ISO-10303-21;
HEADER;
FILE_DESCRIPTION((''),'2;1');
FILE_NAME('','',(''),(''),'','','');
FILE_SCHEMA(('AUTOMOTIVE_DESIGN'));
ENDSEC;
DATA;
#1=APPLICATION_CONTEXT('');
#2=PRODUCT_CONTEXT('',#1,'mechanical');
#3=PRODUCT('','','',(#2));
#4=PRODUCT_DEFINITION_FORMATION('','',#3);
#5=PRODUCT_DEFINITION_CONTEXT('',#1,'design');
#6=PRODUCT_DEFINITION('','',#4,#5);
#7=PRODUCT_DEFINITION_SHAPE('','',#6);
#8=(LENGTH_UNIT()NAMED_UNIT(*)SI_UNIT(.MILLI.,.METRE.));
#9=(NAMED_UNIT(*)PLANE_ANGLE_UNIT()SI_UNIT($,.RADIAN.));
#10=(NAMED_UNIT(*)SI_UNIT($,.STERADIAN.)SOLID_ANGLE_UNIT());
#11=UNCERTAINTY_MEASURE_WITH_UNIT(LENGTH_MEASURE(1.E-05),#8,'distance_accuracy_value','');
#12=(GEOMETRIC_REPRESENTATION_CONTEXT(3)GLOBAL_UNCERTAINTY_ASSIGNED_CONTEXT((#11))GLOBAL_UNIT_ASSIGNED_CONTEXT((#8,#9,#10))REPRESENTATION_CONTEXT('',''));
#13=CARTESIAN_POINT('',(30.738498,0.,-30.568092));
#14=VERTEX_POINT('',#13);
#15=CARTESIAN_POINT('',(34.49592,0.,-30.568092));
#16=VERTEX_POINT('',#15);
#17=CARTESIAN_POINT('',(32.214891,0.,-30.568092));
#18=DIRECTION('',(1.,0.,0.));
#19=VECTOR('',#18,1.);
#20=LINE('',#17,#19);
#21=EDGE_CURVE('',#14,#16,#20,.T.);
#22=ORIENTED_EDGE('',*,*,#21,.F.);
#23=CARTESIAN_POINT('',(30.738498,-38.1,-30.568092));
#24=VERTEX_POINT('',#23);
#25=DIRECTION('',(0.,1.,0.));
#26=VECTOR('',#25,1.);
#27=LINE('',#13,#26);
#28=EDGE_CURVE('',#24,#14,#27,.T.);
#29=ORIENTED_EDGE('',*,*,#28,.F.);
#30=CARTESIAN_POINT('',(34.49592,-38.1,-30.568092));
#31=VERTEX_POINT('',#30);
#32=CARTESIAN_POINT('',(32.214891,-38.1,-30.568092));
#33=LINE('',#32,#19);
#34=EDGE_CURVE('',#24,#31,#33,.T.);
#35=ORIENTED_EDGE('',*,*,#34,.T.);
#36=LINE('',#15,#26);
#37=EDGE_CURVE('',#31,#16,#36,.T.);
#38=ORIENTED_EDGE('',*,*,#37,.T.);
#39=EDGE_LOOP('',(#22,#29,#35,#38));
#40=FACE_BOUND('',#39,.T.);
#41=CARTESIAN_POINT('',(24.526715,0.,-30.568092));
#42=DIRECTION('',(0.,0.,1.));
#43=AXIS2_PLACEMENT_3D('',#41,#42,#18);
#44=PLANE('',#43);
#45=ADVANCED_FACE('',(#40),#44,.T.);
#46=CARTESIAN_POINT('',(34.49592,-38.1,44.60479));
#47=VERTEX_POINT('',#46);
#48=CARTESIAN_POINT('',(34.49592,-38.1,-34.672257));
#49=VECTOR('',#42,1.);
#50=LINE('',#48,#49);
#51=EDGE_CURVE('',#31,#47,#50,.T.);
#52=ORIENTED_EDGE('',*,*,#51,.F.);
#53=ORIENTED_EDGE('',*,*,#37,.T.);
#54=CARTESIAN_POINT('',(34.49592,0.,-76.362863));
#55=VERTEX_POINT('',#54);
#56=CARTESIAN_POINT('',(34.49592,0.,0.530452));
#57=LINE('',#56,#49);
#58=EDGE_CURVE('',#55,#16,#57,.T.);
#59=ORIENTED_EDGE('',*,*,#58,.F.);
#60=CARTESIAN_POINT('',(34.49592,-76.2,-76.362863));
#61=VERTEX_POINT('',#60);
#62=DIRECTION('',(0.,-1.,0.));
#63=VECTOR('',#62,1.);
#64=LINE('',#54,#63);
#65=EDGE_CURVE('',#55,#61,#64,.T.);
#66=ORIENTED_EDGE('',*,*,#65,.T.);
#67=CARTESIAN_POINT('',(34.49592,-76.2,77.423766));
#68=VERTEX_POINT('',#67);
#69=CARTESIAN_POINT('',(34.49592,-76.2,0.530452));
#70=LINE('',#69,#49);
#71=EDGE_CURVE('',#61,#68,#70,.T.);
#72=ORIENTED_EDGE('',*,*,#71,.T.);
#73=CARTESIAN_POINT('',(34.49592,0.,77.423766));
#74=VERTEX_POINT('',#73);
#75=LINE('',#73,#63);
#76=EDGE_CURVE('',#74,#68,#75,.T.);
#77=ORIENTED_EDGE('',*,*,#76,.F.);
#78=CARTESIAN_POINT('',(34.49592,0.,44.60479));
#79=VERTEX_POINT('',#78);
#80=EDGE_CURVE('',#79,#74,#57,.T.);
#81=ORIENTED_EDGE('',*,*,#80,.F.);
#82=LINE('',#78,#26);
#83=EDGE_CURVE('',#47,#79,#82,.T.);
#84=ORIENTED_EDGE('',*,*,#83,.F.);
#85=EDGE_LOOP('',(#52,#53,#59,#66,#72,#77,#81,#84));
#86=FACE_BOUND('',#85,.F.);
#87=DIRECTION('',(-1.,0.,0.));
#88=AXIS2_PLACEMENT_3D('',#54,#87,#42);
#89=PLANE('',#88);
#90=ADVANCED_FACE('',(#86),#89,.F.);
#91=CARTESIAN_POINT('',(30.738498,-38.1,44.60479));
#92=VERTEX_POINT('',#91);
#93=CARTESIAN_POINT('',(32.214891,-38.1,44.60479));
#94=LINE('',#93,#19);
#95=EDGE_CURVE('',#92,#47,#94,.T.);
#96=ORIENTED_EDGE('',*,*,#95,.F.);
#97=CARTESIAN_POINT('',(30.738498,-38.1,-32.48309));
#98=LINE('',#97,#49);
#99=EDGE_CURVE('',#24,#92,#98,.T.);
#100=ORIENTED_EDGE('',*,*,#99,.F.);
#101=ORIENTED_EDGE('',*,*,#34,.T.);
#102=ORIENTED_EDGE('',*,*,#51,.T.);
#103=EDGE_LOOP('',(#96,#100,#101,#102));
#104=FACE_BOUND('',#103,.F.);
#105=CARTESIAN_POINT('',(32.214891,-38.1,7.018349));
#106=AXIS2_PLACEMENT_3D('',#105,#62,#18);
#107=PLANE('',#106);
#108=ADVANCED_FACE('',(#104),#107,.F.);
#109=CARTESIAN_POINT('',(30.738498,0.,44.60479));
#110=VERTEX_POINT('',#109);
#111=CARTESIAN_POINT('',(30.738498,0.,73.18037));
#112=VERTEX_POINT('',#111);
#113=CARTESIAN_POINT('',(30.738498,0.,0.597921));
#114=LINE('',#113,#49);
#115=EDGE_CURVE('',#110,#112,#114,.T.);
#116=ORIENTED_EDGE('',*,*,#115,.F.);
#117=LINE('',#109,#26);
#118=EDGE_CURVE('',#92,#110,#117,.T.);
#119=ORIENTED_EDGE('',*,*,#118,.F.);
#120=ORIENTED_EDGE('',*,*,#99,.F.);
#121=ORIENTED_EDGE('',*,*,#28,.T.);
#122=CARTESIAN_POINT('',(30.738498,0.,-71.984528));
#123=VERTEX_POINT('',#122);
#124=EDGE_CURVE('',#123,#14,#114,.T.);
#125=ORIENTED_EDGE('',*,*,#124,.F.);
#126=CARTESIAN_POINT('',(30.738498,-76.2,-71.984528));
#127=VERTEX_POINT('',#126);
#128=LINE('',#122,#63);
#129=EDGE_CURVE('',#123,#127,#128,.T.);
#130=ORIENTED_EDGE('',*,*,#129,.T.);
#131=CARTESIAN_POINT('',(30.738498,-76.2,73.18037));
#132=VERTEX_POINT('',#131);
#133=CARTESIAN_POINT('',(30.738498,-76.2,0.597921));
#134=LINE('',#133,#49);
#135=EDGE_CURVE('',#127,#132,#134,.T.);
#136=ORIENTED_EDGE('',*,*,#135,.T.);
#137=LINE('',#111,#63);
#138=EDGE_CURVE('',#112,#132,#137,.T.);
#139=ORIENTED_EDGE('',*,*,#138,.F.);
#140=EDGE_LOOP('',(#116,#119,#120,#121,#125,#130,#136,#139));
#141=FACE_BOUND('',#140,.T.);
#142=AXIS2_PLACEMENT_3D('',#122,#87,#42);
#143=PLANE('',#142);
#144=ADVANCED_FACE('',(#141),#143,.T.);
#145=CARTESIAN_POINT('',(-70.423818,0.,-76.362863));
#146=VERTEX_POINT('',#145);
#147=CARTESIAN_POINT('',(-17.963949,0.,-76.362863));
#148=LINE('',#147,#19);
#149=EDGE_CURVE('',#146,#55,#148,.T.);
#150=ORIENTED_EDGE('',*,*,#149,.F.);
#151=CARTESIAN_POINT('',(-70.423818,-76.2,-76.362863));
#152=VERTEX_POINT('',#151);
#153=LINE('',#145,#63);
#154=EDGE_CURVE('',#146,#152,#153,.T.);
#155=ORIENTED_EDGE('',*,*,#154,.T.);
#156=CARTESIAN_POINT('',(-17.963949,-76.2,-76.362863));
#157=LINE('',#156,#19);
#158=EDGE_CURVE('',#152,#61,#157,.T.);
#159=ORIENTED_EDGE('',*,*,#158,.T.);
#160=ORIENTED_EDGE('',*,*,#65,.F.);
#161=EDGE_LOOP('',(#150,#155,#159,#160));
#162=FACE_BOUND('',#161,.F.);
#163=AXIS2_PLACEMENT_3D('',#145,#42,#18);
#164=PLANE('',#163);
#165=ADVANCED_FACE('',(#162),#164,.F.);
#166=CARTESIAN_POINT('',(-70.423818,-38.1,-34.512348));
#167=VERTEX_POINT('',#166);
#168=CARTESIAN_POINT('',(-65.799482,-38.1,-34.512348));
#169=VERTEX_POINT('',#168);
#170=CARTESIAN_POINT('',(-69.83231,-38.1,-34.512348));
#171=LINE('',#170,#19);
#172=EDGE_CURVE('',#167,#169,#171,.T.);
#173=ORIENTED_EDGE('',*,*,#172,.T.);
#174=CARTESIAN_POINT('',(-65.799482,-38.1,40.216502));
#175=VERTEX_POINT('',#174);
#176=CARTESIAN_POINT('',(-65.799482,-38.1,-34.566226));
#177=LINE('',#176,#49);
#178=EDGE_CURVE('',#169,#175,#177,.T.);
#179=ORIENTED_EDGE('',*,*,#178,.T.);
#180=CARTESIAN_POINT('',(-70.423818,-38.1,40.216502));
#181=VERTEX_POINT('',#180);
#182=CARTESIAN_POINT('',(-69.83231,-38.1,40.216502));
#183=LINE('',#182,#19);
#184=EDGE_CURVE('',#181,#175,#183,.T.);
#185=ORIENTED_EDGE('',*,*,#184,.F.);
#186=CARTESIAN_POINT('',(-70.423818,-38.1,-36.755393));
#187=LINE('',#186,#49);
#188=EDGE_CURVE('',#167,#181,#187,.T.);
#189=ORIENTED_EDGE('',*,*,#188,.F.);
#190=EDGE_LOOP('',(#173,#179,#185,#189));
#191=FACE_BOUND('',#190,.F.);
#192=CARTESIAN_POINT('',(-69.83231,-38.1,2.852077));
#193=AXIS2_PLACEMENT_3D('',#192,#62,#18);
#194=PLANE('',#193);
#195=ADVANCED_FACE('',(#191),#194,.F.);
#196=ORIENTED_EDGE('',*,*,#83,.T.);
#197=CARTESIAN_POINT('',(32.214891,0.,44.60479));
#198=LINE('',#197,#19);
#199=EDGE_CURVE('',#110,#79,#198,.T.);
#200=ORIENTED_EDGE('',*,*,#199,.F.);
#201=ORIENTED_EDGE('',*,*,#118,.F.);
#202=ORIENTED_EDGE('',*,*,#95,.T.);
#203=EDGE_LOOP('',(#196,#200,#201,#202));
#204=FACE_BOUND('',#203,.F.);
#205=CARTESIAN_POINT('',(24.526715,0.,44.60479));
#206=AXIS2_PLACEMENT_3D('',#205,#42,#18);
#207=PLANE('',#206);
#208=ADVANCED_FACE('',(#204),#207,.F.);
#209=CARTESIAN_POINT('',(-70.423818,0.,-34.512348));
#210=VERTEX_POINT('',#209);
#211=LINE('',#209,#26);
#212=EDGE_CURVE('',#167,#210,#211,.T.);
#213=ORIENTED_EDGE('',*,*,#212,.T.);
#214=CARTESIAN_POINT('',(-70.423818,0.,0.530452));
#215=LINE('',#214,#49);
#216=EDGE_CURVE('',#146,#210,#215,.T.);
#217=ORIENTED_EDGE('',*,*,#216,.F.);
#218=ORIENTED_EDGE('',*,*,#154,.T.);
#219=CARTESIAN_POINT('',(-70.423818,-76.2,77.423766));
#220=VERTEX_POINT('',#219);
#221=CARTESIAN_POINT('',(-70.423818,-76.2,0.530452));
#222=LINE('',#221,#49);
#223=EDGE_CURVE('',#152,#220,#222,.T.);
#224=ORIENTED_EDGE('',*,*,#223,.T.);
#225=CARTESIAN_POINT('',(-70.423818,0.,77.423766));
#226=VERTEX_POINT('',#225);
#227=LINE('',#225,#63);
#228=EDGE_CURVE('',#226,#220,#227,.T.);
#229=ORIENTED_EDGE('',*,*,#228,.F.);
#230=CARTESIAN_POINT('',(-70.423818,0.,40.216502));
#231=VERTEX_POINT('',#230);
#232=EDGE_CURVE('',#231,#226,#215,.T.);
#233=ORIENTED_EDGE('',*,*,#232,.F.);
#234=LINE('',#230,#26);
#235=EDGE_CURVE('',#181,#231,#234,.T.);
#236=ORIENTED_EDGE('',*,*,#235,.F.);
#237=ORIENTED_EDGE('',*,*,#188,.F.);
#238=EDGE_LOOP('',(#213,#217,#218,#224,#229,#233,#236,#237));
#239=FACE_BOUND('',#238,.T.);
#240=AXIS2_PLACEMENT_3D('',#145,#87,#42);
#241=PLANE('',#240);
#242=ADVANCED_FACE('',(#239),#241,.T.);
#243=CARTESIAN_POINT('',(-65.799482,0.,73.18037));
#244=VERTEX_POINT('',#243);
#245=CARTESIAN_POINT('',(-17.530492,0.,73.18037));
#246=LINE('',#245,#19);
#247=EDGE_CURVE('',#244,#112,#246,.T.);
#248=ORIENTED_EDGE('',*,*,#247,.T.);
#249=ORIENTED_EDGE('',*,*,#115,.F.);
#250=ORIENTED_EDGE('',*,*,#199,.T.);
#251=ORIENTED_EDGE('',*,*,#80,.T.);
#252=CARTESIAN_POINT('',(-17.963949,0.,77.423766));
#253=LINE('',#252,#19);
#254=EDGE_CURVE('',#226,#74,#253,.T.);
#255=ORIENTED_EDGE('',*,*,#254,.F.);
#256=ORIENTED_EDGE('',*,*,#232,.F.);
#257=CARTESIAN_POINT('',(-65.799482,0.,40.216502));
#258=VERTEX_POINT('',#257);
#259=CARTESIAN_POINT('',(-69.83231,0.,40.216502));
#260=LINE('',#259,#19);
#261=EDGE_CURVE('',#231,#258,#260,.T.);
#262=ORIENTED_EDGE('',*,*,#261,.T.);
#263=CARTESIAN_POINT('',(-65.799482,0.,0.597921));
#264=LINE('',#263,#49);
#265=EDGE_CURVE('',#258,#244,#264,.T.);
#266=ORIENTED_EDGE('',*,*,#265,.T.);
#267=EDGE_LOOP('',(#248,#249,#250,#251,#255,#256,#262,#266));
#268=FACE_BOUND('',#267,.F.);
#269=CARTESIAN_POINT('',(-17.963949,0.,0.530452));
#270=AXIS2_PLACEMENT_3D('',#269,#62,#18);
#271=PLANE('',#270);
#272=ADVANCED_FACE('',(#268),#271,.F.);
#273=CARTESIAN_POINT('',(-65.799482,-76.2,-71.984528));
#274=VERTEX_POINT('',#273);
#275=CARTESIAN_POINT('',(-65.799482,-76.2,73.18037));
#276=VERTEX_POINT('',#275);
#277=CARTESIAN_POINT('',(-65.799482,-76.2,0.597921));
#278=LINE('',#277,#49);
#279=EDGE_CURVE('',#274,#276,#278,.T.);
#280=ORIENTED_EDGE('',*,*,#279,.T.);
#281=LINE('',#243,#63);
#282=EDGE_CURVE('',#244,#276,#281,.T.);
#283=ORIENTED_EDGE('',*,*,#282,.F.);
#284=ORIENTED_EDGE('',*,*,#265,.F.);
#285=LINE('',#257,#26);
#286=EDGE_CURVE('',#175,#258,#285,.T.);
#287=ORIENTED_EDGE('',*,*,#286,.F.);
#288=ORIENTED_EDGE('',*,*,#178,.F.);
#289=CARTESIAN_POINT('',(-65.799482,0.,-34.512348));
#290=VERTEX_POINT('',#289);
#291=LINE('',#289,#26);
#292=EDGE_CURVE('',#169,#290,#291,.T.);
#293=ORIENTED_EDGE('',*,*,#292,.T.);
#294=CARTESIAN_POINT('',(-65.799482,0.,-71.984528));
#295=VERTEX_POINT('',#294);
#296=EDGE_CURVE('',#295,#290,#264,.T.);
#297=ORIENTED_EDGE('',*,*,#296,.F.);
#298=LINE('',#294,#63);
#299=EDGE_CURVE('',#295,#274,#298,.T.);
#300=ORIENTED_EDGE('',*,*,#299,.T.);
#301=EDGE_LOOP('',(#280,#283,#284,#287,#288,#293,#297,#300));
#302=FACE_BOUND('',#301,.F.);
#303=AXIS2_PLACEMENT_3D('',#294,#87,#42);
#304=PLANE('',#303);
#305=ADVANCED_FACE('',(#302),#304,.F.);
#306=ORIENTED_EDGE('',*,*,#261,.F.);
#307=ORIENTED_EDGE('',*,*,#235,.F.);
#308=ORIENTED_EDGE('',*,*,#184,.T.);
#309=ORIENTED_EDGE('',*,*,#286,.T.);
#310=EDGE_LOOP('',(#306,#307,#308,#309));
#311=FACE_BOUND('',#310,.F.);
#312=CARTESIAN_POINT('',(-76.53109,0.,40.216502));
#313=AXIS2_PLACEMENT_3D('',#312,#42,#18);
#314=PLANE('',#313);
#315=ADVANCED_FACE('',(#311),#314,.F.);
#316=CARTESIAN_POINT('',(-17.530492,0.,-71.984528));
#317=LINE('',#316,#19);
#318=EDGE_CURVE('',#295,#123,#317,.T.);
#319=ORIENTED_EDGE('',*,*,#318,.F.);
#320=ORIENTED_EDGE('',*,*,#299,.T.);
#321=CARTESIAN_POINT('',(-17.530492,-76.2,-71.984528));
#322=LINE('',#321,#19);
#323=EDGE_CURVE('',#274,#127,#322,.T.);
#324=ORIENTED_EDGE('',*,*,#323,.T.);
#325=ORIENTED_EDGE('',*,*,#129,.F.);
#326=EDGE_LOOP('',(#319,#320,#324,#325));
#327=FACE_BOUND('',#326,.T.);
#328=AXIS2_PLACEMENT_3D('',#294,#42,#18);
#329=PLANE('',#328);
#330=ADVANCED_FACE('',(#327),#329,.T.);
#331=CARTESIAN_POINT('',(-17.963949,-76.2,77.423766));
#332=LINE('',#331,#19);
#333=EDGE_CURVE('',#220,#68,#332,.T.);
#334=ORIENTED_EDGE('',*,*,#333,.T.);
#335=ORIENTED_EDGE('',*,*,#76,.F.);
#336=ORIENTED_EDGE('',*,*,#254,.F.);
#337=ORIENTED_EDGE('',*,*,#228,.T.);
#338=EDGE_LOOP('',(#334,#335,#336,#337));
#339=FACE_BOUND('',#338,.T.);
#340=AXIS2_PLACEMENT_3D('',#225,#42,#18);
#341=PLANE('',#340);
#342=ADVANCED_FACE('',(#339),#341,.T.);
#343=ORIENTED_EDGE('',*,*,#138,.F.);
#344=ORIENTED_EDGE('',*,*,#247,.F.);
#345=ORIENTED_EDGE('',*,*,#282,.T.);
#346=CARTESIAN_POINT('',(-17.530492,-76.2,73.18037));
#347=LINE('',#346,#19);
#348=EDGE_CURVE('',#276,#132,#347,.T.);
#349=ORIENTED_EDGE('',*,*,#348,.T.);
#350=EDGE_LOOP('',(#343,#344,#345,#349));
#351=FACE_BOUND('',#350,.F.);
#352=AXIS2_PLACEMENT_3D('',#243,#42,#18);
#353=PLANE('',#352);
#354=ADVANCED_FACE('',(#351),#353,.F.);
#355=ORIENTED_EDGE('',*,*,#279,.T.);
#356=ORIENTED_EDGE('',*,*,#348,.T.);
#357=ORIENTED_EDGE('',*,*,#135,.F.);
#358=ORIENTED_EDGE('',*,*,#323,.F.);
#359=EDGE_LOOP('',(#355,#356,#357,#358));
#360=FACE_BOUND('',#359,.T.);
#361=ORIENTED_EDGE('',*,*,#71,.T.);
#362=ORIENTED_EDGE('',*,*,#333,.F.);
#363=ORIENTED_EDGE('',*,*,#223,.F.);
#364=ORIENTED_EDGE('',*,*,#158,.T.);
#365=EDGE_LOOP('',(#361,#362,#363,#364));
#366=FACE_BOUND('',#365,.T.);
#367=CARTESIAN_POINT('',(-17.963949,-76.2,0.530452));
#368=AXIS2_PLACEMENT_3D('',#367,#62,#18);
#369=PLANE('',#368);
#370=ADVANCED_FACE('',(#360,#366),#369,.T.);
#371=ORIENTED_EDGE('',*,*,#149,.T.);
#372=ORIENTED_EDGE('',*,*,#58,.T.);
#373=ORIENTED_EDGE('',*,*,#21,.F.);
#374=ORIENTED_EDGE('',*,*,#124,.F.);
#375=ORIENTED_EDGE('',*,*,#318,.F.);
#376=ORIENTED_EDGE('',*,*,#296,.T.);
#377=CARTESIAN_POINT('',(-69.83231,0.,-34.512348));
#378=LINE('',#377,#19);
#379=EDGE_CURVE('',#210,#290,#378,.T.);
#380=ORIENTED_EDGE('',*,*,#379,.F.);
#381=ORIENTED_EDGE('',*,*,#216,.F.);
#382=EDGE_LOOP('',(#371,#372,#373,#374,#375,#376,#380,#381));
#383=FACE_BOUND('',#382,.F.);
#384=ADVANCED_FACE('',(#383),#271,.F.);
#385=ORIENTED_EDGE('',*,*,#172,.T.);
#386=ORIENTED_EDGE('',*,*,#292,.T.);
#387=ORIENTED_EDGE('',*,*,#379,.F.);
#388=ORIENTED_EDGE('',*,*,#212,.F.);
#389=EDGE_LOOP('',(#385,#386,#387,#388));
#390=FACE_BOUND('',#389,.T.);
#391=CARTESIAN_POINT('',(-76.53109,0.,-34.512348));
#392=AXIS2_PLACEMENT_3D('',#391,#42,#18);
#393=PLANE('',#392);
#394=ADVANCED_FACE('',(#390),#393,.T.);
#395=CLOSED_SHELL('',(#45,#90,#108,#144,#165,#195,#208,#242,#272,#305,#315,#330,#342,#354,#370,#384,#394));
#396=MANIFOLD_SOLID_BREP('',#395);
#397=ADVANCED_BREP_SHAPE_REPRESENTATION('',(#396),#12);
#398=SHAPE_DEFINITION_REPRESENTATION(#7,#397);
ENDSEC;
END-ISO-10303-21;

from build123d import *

# Parameters (mm, degrees)
F0_W     = 104.919739
F0_H     = 153.786629
F0_W_2   = 96.537981
F0_H_2   = 145.164899
F1_DEPTH = 76.2
F2_W     = 15.376352
F2_H     = 75.172882
F2_W_2   = 13.39756
F2_H_2   = 74.72885
F3_DEPTH = 38.1


with BuildPart() as f1:
    # F0 (on Front) → F1 (new body)
    with BuildSketch(Plane.XZ):
        with Locations((-17.963949, 0.530452)):
            Rectangle(F0_W, F0_H)
        with Locations((-17.530492, 0.597921)):
            Rectangle(F0_W_2, F0_H_2, mode=Mode.SUBTRACT)
    extrude(amount=F1_DEPTH)

    # F2 (on Front) → F3 (cut)
    with BuildSketch(Plane.XZ):
        with Locations((32.214891, 7.018349)):
            Rectangle(F2_W, F2_H)
        with Locations((-69.83231, 2.852077)):
            Rectangle(F2_W_2, F2_H_2)
    extrude(amount=F3_DEPTH, mode=Mode.SUBTRACT)


solid = f1.part
